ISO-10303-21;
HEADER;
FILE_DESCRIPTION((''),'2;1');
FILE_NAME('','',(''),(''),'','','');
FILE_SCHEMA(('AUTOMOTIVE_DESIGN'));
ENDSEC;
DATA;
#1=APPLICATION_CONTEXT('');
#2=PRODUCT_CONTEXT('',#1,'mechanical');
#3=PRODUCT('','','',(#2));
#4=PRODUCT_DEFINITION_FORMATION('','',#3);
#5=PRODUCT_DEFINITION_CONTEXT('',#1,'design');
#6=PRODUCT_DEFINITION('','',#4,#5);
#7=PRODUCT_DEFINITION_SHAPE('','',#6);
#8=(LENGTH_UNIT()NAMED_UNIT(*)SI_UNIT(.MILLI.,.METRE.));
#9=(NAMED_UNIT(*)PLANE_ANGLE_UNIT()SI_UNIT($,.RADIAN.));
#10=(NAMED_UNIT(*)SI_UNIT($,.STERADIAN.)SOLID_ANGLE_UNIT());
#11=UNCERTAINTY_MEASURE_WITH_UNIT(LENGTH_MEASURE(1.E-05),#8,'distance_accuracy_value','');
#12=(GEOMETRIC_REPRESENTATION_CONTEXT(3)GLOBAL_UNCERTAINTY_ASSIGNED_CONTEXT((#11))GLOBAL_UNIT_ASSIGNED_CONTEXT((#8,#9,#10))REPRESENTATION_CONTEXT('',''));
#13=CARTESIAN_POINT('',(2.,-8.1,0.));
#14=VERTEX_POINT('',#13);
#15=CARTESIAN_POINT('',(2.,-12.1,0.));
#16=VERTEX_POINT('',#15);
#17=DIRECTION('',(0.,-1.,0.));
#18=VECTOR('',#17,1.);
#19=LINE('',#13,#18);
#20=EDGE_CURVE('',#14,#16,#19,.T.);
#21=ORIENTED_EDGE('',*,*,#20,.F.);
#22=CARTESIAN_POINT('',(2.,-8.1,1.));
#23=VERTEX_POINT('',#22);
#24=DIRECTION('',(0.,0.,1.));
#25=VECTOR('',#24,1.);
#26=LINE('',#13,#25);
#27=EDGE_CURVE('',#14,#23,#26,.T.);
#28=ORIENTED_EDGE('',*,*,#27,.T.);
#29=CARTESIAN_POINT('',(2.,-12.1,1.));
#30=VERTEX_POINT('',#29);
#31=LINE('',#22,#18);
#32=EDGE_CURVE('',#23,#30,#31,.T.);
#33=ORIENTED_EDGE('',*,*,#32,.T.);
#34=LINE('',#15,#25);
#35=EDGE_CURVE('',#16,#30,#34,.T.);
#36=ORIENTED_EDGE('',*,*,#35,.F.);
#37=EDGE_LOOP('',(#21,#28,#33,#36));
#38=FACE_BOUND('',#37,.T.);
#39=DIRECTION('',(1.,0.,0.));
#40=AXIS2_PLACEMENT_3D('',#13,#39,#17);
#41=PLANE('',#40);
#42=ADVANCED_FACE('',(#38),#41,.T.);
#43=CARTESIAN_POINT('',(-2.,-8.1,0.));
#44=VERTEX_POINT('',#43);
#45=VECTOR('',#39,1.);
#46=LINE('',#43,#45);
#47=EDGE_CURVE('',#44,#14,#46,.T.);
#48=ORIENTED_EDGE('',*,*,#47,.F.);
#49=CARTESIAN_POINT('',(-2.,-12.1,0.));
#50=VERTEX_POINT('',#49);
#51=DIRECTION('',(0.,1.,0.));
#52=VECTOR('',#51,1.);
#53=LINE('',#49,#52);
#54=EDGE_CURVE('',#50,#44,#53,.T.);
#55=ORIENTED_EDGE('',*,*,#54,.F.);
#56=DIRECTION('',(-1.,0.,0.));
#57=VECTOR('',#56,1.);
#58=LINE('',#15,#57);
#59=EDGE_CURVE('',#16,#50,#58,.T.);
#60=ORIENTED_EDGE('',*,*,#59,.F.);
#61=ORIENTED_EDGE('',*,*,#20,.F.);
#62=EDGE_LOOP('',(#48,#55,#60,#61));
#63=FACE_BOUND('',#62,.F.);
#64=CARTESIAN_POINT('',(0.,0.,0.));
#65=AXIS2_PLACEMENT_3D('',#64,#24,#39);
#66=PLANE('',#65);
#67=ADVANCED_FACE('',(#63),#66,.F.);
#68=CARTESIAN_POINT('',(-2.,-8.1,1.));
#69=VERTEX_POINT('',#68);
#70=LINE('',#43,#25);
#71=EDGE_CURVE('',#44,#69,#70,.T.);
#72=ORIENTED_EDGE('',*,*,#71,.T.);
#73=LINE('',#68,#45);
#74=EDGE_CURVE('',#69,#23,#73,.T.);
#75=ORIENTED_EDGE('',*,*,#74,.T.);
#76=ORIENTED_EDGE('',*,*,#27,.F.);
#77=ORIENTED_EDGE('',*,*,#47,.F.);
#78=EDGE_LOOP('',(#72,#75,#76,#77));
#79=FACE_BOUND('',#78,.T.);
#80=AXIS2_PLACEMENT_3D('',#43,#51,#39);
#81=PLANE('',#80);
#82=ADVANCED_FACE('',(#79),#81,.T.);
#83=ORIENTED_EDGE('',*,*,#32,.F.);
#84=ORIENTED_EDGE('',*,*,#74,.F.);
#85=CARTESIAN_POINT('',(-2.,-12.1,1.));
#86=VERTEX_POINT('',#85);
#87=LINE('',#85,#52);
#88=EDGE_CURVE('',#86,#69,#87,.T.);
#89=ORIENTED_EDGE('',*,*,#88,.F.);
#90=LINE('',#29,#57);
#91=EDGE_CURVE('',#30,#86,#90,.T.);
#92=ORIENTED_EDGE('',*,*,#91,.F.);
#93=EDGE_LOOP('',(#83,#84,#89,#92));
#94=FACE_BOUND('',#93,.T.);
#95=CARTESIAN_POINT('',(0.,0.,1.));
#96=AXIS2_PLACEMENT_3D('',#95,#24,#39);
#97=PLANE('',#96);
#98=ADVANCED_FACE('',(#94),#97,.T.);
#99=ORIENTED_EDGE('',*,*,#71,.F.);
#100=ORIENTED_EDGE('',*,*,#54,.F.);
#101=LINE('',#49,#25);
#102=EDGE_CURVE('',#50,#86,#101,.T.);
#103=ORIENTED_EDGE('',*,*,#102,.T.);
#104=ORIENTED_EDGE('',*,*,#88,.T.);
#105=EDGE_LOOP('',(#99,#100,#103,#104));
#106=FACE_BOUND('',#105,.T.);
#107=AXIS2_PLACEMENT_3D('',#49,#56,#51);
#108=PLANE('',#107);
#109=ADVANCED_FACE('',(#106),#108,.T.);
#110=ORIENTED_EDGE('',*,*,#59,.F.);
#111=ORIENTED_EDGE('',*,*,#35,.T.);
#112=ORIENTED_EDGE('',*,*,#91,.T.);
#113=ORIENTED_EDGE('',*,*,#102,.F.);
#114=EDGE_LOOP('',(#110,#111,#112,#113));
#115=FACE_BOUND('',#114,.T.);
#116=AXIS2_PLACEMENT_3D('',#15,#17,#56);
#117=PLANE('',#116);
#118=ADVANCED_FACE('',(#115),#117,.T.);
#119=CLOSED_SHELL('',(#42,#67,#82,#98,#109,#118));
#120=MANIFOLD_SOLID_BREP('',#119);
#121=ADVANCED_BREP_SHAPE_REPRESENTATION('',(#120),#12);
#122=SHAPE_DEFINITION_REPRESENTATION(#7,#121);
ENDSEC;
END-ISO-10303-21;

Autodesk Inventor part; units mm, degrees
ref_plane "YZ Plane" through (0, 0, 0) normal (1, 0, 0) x (0, 1, 0)
ref_plane "XZ Plane" through (0, 0, 0) normal (0, 1, 0) x (-1, 0, 0)
ref_plane "XY Plane" through (0, 0, 0) normal (0, 0, 1) x (1, 0, 0)
sketch "Sketch1" plane through (0, 0, 0) normal (0, 0, 1) x (1, 0, 0)
  line L0 (2, -12.1) -> (-2, -12.1)
  line L1 (-2, -12.1) -> (-2, -8.1)
  line L2 (-2, -8.1) -> (2, -8.1)
  line L3 (2, -8.1) -> (2, -12.1)
  line L4 (-12.5, -14.1) -> (12.5, -14.1) projected
  point P0 (0, 0)
  point P1 (0, -8.1)
  dimension "d0" = 4
  dimension "d1" = 4
  dimension "d2" = 2
extrude "Extrusion1" add sketch "Sketch1" along normal blind 1
properties part number "MPU_chip"
